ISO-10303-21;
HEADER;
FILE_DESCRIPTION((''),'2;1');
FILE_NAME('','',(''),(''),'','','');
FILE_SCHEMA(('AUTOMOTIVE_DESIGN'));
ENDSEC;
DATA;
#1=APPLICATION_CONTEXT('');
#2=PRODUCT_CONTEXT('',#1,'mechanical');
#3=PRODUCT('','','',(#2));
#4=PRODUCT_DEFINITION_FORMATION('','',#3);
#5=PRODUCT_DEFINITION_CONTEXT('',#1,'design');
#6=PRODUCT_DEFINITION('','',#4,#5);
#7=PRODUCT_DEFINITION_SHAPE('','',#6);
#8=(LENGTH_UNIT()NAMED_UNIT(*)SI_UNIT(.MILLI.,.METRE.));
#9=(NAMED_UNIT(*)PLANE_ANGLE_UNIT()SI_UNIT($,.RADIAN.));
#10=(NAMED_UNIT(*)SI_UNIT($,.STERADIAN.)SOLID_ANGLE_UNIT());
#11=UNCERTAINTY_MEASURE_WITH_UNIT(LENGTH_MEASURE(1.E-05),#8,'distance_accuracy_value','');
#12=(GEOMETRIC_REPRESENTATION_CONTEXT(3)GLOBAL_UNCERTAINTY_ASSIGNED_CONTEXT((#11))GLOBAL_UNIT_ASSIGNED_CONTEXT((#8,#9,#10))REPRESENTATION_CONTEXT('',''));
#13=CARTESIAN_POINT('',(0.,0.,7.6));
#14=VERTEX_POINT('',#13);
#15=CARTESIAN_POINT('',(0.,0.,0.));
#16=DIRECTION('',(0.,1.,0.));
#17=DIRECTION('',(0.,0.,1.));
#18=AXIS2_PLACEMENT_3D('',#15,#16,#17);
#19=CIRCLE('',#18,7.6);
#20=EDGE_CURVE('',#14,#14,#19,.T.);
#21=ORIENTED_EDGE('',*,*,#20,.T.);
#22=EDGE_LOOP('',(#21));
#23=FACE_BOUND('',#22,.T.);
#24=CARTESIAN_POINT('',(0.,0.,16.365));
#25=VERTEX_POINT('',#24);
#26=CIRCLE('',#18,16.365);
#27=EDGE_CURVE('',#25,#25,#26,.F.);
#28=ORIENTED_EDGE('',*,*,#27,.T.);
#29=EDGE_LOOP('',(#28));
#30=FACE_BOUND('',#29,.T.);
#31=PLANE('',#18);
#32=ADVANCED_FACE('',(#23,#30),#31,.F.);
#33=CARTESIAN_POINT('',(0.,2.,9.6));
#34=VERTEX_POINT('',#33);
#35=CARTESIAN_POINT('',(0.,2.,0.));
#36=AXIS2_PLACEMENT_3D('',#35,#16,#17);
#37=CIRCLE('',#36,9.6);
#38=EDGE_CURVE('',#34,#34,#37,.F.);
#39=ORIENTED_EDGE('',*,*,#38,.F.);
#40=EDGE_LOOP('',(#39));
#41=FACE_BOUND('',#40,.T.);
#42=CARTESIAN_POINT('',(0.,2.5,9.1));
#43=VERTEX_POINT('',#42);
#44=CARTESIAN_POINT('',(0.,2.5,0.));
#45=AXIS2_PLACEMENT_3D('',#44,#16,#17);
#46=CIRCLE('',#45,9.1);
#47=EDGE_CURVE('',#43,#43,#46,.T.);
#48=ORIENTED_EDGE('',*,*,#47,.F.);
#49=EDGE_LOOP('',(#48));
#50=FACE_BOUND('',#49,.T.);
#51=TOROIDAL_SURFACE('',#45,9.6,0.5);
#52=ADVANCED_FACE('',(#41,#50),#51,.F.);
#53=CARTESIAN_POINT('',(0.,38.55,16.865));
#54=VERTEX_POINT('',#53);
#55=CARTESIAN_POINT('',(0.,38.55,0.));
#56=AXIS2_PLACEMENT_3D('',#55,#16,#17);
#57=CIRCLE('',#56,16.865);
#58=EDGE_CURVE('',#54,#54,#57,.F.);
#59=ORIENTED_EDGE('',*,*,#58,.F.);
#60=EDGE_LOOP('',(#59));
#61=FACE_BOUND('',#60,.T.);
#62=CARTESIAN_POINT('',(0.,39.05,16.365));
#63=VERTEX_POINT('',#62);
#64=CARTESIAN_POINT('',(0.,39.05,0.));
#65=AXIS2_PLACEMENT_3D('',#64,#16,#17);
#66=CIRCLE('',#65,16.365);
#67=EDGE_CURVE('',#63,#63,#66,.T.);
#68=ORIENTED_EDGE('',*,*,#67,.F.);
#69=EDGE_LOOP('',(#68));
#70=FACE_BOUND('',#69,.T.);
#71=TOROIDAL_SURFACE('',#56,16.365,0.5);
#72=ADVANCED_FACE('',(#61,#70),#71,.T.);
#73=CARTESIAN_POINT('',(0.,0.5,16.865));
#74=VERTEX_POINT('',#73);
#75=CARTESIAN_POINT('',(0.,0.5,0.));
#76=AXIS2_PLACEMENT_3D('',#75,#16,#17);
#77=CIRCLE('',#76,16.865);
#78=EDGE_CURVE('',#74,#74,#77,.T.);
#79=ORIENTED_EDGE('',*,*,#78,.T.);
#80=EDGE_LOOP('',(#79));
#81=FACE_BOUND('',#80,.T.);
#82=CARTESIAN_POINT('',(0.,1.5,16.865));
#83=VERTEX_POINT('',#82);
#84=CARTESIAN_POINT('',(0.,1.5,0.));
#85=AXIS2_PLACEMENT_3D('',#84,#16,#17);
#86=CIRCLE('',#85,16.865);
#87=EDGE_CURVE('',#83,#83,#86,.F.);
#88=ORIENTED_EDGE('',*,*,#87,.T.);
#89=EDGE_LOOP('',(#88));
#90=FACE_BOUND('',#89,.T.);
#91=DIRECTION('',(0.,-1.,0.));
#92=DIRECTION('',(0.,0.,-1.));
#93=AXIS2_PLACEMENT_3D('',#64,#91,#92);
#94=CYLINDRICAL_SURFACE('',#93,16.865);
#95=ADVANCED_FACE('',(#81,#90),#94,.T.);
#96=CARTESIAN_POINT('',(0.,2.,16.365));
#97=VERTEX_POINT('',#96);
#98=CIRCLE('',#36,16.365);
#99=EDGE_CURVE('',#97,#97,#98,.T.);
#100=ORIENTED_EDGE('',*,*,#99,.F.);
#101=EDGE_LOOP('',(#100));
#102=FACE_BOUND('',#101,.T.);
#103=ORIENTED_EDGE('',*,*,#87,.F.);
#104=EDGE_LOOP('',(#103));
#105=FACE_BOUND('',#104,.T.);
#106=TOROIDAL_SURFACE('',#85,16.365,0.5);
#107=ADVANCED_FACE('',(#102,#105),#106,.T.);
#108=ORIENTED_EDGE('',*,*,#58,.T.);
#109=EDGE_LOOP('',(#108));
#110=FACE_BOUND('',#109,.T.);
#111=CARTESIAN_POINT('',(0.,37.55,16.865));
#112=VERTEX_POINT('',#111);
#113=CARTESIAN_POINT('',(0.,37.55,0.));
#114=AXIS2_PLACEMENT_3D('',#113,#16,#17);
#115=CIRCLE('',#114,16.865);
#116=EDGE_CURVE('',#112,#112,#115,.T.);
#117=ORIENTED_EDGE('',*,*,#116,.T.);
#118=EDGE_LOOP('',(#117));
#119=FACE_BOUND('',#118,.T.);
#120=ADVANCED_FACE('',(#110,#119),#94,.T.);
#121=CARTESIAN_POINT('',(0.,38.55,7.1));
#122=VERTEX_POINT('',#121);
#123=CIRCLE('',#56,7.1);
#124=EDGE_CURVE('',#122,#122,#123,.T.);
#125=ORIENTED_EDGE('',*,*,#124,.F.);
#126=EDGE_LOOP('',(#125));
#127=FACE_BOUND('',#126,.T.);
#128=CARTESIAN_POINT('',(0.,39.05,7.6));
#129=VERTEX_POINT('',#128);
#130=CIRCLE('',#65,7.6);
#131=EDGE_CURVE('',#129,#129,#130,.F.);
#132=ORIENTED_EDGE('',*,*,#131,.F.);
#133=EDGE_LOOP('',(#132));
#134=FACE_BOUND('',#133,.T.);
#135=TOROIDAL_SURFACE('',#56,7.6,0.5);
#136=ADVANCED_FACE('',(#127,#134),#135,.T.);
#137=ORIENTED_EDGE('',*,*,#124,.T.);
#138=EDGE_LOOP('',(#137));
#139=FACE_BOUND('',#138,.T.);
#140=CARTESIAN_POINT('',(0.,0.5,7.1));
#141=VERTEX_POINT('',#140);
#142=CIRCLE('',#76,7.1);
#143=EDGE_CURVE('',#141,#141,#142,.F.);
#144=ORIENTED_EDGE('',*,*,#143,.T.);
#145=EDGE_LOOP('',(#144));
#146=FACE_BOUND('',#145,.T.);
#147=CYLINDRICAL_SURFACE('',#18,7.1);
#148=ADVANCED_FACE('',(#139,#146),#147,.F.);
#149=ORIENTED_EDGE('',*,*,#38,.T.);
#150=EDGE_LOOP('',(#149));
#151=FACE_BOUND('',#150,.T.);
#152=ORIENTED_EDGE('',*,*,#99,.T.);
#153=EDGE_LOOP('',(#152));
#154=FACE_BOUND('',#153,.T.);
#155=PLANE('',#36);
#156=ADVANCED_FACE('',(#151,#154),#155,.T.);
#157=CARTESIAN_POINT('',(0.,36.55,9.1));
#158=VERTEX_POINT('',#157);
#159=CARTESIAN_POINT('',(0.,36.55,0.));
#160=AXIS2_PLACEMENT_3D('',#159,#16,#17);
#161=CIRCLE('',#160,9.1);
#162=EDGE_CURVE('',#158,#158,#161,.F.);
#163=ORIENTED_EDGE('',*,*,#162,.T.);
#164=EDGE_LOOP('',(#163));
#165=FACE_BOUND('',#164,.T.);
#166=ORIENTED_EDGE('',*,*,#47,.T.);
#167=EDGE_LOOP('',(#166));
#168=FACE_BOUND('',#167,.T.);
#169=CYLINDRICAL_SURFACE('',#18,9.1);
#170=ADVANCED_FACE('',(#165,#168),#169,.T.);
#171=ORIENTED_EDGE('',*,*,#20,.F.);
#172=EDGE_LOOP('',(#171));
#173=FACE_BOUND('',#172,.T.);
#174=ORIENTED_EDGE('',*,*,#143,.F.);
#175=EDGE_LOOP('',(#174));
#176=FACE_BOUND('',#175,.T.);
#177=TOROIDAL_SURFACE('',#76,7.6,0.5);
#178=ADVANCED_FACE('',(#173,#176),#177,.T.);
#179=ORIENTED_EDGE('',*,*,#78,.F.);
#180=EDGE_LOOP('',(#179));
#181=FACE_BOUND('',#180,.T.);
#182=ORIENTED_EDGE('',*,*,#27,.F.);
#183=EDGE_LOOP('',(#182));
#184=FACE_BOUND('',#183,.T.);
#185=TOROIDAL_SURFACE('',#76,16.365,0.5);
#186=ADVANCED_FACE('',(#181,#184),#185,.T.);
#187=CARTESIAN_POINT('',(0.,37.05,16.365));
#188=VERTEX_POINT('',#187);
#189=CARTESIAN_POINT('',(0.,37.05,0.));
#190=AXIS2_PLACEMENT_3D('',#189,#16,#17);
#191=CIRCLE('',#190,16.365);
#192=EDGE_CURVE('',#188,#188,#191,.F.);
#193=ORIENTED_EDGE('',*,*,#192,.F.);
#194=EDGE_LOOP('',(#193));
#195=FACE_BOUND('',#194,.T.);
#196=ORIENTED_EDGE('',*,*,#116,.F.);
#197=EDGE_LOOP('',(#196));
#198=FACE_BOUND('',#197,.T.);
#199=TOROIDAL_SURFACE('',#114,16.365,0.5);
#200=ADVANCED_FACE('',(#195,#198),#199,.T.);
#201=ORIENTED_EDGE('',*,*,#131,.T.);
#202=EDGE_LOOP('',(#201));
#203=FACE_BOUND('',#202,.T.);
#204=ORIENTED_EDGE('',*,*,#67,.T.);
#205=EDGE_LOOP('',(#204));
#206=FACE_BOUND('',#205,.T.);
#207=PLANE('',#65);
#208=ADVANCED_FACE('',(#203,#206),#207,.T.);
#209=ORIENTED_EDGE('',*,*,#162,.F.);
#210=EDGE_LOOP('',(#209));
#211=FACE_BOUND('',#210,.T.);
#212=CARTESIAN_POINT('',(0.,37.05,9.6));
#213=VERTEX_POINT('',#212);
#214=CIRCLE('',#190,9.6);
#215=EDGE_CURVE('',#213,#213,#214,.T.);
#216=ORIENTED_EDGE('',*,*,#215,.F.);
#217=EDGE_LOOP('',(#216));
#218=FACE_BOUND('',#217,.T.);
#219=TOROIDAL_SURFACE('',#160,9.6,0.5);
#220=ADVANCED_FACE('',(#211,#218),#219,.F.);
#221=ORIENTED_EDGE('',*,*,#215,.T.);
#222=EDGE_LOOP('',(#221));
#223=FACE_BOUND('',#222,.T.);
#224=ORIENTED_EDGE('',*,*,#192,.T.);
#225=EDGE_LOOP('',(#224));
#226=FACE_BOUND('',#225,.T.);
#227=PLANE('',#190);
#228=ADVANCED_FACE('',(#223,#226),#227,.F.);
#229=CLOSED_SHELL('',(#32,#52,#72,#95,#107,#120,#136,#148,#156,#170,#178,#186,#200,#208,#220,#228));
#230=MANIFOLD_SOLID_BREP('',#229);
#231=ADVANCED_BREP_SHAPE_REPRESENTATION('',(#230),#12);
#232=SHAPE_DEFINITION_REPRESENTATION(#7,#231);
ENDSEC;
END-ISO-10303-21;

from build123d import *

# Parameters (mm, degrees)
SKETCH1_R           = 16.865
BOSS_EXTRUDE1_DEPTH = 39.05
SKETCH2_R           = 7.1
CUT_EXTRUDE1_DEPTH  = 46.757610842
SHELL5_T            = -2
FILLET1_R           = 0.5


with BuildPart() as part:
    # Sketch1 → Boss-Extrude1 (new body)
    with BuildSketch(Plane(origin=(0, 0, 0), x_dir=(1, 0, 0), z_dir=(0, 1, 0))):
        with Locations(Location((0, 0, 0), (0, 0, 270))):
            Circle(SKETCH1_R)
    extrude(amount=BOSS_EXTRUDE1_DEPTH)

    # Sketch2 → Cut-Extrude1 (cut, through all)
    with BuildSketch(Plane(origin=(0, 39.05, 0), x_dir=(1, 0, 0), z_dir=(0, 1, 0))):
        with Locations(Location((0, 0, 0), (0, 0, 270))):
            Circle(SKETCH2_R)
    extrude(amount=-CUT_EXTRUDE1_DEPTH, mode=Mode.SUBTRACT)

    # Shell5
    shell5_openings = [part.faces().sort_by_distance(p)[0] for p in [
        (0, 19.525, -16.865),
    ]]
    offset(amount=SHELL5_T, openings=shell5_openings, kind=Kind.INTERSECTION)

    # Fillet1
    fillet1_edges = [part.edges().sort_by_distance(p)[0] for p in [
        (0, 2, -16.865),
        (0, 37.05, -16.865),
        (0, 2, -9.1),
        (0, 37.05, -9.1),
        (0, 0, -16.865),
        (0, 39.05, -16.865),
        (0, 0, -7.1),
        (0, 39.05, -7.1),
    ]]
    fillet(fillet1_edges, radius=FILLET1_R)


solid = part.part
